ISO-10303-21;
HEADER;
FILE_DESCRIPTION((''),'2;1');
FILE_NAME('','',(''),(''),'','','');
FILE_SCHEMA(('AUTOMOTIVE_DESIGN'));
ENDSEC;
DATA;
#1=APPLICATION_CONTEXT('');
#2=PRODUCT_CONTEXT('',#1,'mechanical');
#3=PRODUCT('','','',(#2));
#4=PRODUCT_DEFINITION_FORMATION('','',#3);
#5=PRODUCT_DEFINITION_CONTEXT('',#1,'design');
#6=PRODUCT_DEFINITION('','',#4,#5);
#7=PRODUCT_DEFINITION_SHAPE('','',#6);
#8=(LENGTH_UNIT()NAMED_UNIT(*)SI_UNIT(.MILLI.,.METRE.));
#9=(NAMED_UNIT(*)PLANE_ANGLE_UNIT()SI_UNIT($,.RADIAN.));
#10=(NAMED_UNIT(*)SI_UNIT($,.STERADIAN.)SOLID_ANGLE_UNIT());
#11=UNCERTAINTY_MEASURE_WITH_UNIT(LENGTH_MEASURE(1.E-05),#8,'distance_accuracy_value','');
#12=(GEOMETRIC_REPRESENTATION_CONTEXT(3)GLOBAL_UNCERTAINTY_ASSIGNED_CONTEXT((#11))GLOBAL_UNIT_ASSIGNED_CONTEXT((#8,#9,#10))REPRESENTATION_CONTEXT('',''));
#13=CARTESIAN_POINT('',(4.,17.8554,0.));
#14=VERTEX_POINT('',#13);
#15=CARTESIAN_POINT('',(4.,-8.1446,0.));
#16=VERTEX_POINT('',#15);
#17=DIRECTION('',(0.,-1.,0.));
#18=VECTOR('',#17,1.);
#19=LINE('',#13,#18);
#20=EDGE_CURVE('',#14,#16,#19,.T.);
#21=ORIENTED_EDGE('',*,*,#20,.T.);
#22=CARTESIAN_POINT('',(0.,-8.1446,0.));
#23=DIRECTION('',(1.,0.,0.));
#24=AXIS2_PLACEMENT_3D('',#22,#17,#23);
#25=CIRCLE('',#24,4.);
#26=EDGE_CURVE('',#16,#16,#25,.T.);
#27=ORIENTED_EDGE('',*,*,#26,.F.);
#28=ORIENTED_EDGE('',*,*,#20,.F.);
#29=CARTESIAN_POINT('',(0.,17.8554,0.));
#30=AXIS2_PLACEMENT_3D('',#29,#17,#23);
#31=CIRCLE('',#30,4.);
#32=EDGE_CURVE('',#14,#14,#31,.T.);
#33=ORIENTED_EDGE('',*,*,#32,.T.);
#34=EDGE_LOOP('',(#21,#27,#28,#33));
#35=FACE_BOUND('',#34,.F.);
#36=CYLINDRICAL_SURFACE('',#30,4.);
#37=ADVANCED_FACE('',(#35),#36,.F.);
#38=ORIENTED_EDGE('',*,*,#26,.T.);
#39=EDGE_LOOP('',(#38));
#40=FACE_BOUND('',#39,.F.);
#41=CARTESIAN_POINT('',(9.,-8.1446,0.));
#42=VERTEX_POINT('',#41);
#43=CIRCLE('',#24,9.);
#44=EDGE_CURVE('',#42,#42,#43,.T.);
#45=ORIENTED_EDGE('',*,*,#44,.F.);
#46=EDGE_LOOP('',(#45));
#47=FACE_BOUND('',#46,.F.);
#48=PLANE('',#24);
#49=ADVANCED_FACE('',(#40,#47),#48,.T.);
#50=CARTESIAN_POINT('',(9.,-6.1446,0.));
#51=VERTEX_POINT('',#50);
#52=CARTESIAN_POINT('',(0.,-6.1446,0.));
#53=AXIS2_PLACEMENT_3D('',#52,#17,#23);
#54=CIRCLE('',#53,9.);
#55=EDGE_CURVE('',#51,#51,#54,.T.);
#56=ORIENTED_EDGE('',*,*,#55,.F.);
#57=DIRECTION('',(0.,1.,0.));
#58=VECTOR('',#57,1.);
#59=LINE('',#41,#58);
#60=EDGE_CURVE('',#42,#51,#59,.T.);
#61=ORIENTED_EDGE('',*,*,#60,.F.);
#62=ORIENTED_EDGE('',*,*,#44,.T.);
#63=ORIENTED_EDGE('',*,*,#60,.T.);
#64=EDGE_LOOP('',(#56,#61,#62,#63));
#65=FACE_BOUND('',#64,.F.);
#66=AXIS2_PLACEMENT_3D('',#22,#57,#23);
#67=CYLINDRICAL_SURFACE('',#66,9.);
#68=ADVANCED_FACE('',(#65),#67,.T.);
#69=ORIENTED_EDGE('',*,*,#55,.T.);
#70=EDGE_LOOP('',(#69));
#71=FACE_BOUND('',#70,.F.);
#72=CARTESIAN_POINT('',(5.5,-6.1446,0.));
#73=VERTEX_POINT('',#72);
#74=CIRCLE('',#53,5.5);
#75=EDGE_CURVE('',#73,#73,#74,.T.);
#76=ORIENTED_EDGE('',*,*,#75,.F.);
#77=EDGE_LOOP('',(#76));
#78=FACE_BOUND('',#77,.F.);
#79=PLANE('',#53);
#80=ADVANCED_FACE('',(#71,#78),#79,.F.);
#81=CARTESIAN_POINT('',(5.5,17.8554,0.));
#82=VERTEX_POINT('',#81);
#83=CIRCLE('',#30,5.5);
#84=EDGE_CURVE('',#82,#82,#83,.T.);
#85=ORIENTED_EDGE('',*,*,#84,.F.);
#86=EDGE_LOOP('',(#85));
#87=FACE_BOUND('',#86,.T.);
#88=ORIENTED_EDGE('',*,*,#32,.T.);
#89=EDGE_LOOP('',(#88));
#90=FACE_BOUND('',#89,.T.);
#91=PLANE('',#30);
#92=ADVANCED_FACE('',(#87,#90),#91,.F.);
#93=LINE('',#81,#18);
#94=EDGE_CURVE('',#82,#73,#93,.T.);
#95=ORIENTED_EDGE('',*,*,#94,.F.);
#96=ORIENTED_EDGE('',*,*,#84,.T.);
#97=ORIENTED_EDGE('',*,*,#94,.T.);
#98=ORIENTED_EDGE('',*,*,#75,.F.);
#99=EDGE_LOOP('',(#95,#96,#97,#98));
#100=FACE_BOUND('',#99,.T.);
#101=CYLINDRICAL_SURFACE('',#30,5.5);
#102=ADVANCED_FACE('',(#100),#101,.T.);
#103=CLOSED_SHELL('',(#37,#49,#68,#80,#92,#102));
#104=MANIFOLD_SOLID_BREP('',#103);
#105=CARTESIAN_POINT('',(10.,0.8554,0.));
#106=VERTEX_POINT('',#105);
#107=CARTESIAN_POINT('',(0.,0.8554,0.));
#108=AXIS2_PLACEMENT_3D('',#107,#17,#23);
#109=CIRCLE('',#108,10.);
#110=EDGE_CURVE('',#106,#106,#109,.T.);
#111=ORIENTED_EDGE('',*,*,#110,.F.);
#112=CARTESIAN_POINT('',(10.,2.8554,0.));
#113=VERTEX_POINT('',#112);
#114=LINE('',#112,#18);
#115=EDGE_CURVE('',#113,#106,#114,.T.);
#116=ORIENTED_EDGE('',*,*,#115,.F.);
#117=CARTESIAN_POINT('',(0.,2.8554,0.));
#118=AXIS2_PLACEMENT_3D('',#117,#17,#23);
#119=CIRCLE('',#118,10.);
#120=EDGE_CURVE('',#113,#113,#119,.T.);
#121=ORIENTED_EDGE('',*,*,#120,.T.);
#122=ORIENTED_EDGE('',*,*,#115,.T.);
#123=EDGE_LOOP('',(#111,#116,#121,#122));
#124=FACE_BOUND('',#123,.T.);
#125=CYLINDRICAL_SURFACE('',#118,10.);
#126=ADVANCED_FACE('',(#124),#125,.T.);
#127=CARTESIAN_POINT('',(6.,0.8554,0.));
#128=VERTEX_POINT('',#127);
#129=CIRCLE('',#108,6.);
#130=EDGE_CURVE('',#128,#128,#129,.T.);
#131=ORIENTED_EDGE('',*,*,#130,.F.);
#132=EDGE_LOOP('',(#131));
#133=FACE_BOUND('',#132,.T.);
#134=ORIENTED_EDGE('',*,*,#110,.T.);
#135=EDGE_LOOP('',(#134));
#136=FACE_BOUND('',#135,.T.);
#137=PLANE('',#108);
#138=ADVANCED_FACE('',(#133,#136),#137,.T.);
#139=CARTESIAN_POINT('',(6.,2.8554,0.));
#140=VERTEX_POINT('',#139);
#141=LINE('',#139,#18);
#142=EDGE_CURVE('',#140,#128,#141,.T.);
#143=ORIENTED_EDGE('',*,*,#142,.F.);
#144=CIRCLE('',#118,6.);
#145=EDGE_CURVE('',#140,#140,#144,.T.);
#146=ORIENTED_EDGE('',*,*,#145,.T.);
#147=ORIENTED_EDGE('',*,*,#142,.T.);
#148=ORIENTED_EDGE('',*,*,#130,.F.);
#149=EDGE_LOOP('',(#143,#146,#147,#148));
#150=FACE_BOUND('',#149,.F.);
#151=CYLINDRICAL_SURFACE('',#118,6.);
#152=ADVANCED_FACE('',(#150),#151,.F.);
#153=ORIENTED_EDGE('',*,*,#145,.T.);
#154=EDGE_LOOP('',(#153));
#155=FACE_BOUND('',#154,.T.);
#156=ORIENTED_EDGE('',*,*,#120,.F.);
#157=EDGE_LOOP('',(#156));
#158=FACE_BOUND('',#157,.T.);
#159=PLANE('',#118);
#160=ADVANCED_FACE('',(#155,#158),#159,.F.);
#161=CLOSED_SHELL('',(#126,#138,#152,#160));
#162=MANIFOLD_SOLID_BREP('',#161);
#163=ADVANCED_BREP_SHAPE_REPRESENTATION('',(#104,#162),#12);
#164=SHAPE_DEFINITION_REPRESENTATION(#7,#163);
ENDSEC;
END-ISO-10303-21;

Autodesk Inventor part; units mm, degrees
ref_plane "YZ Plane" through (0, 0, 0) normal (1, 0, 0) x (0, 1, 0)
ref_plane "XZ Plane" through (0, 0, 0) normal (0, 1, 0) x (-1, 0, 0)
ref_plane "XY Plane" through (0, 0, 0) normal (0, 0, 1) x (1, 0, 0)
sketch "Skizze1" plane through (0, 0, 0) normal (0, 0, 1) x (1, 0, 0)
  line L0 (0, 23.0554) -> (0, -13.3446) construction
  line L1 (-2, 0) -> (12, 0) construction
  line L2 (4, 17.8554) -> (5.5, 17.8554)
  line L3 (5.5, 17.8554) -> (5.5, -6.1446)
  line L4 (4, 17.8554) -> (4, -8.1446)
  line L5 (4, -8.1446) -> (9, -8.1446)
  line L6 (9, -8.1446) -> (9, -6.1446)
  line L7 (9, -6.1446) -> (5.5, -6.1446)
  line L8 (6, 2.8554) -> (6, 0.8554)
  line L9 (6, 2.8554) -> (10, 2.8554)
  line L10 (10, 2.8554) -> (10, 0.8554)
  line L11 (10, 0.8554) -> (6, 0.8554)
  point P0 (0, 0)
  dimension "d9" = 4
  dimension "d10" = 5.5
  dimension "d11" = 5
  dimension "d12" = 2
  dimension "d13" = 24
  dimension "d14" = 0.5
  dimension "d15" = 2
  dimension "d16" = 10
  dimension "d21" = 7
revolve "Umdrehung1" add sketch "Skizze1" angle 360 about axis through (0, 0, 0) along (0, -1, 0) contours L2 L3 L7 L6 L5 L4
revolve "Umdrehung2" add sketch "Skizze1" angle 360 about axis through (0, 0, 0) along (0, -1, 0) separate body contours L9 L10 L11 L8
properties part number "Zugentlastung"
